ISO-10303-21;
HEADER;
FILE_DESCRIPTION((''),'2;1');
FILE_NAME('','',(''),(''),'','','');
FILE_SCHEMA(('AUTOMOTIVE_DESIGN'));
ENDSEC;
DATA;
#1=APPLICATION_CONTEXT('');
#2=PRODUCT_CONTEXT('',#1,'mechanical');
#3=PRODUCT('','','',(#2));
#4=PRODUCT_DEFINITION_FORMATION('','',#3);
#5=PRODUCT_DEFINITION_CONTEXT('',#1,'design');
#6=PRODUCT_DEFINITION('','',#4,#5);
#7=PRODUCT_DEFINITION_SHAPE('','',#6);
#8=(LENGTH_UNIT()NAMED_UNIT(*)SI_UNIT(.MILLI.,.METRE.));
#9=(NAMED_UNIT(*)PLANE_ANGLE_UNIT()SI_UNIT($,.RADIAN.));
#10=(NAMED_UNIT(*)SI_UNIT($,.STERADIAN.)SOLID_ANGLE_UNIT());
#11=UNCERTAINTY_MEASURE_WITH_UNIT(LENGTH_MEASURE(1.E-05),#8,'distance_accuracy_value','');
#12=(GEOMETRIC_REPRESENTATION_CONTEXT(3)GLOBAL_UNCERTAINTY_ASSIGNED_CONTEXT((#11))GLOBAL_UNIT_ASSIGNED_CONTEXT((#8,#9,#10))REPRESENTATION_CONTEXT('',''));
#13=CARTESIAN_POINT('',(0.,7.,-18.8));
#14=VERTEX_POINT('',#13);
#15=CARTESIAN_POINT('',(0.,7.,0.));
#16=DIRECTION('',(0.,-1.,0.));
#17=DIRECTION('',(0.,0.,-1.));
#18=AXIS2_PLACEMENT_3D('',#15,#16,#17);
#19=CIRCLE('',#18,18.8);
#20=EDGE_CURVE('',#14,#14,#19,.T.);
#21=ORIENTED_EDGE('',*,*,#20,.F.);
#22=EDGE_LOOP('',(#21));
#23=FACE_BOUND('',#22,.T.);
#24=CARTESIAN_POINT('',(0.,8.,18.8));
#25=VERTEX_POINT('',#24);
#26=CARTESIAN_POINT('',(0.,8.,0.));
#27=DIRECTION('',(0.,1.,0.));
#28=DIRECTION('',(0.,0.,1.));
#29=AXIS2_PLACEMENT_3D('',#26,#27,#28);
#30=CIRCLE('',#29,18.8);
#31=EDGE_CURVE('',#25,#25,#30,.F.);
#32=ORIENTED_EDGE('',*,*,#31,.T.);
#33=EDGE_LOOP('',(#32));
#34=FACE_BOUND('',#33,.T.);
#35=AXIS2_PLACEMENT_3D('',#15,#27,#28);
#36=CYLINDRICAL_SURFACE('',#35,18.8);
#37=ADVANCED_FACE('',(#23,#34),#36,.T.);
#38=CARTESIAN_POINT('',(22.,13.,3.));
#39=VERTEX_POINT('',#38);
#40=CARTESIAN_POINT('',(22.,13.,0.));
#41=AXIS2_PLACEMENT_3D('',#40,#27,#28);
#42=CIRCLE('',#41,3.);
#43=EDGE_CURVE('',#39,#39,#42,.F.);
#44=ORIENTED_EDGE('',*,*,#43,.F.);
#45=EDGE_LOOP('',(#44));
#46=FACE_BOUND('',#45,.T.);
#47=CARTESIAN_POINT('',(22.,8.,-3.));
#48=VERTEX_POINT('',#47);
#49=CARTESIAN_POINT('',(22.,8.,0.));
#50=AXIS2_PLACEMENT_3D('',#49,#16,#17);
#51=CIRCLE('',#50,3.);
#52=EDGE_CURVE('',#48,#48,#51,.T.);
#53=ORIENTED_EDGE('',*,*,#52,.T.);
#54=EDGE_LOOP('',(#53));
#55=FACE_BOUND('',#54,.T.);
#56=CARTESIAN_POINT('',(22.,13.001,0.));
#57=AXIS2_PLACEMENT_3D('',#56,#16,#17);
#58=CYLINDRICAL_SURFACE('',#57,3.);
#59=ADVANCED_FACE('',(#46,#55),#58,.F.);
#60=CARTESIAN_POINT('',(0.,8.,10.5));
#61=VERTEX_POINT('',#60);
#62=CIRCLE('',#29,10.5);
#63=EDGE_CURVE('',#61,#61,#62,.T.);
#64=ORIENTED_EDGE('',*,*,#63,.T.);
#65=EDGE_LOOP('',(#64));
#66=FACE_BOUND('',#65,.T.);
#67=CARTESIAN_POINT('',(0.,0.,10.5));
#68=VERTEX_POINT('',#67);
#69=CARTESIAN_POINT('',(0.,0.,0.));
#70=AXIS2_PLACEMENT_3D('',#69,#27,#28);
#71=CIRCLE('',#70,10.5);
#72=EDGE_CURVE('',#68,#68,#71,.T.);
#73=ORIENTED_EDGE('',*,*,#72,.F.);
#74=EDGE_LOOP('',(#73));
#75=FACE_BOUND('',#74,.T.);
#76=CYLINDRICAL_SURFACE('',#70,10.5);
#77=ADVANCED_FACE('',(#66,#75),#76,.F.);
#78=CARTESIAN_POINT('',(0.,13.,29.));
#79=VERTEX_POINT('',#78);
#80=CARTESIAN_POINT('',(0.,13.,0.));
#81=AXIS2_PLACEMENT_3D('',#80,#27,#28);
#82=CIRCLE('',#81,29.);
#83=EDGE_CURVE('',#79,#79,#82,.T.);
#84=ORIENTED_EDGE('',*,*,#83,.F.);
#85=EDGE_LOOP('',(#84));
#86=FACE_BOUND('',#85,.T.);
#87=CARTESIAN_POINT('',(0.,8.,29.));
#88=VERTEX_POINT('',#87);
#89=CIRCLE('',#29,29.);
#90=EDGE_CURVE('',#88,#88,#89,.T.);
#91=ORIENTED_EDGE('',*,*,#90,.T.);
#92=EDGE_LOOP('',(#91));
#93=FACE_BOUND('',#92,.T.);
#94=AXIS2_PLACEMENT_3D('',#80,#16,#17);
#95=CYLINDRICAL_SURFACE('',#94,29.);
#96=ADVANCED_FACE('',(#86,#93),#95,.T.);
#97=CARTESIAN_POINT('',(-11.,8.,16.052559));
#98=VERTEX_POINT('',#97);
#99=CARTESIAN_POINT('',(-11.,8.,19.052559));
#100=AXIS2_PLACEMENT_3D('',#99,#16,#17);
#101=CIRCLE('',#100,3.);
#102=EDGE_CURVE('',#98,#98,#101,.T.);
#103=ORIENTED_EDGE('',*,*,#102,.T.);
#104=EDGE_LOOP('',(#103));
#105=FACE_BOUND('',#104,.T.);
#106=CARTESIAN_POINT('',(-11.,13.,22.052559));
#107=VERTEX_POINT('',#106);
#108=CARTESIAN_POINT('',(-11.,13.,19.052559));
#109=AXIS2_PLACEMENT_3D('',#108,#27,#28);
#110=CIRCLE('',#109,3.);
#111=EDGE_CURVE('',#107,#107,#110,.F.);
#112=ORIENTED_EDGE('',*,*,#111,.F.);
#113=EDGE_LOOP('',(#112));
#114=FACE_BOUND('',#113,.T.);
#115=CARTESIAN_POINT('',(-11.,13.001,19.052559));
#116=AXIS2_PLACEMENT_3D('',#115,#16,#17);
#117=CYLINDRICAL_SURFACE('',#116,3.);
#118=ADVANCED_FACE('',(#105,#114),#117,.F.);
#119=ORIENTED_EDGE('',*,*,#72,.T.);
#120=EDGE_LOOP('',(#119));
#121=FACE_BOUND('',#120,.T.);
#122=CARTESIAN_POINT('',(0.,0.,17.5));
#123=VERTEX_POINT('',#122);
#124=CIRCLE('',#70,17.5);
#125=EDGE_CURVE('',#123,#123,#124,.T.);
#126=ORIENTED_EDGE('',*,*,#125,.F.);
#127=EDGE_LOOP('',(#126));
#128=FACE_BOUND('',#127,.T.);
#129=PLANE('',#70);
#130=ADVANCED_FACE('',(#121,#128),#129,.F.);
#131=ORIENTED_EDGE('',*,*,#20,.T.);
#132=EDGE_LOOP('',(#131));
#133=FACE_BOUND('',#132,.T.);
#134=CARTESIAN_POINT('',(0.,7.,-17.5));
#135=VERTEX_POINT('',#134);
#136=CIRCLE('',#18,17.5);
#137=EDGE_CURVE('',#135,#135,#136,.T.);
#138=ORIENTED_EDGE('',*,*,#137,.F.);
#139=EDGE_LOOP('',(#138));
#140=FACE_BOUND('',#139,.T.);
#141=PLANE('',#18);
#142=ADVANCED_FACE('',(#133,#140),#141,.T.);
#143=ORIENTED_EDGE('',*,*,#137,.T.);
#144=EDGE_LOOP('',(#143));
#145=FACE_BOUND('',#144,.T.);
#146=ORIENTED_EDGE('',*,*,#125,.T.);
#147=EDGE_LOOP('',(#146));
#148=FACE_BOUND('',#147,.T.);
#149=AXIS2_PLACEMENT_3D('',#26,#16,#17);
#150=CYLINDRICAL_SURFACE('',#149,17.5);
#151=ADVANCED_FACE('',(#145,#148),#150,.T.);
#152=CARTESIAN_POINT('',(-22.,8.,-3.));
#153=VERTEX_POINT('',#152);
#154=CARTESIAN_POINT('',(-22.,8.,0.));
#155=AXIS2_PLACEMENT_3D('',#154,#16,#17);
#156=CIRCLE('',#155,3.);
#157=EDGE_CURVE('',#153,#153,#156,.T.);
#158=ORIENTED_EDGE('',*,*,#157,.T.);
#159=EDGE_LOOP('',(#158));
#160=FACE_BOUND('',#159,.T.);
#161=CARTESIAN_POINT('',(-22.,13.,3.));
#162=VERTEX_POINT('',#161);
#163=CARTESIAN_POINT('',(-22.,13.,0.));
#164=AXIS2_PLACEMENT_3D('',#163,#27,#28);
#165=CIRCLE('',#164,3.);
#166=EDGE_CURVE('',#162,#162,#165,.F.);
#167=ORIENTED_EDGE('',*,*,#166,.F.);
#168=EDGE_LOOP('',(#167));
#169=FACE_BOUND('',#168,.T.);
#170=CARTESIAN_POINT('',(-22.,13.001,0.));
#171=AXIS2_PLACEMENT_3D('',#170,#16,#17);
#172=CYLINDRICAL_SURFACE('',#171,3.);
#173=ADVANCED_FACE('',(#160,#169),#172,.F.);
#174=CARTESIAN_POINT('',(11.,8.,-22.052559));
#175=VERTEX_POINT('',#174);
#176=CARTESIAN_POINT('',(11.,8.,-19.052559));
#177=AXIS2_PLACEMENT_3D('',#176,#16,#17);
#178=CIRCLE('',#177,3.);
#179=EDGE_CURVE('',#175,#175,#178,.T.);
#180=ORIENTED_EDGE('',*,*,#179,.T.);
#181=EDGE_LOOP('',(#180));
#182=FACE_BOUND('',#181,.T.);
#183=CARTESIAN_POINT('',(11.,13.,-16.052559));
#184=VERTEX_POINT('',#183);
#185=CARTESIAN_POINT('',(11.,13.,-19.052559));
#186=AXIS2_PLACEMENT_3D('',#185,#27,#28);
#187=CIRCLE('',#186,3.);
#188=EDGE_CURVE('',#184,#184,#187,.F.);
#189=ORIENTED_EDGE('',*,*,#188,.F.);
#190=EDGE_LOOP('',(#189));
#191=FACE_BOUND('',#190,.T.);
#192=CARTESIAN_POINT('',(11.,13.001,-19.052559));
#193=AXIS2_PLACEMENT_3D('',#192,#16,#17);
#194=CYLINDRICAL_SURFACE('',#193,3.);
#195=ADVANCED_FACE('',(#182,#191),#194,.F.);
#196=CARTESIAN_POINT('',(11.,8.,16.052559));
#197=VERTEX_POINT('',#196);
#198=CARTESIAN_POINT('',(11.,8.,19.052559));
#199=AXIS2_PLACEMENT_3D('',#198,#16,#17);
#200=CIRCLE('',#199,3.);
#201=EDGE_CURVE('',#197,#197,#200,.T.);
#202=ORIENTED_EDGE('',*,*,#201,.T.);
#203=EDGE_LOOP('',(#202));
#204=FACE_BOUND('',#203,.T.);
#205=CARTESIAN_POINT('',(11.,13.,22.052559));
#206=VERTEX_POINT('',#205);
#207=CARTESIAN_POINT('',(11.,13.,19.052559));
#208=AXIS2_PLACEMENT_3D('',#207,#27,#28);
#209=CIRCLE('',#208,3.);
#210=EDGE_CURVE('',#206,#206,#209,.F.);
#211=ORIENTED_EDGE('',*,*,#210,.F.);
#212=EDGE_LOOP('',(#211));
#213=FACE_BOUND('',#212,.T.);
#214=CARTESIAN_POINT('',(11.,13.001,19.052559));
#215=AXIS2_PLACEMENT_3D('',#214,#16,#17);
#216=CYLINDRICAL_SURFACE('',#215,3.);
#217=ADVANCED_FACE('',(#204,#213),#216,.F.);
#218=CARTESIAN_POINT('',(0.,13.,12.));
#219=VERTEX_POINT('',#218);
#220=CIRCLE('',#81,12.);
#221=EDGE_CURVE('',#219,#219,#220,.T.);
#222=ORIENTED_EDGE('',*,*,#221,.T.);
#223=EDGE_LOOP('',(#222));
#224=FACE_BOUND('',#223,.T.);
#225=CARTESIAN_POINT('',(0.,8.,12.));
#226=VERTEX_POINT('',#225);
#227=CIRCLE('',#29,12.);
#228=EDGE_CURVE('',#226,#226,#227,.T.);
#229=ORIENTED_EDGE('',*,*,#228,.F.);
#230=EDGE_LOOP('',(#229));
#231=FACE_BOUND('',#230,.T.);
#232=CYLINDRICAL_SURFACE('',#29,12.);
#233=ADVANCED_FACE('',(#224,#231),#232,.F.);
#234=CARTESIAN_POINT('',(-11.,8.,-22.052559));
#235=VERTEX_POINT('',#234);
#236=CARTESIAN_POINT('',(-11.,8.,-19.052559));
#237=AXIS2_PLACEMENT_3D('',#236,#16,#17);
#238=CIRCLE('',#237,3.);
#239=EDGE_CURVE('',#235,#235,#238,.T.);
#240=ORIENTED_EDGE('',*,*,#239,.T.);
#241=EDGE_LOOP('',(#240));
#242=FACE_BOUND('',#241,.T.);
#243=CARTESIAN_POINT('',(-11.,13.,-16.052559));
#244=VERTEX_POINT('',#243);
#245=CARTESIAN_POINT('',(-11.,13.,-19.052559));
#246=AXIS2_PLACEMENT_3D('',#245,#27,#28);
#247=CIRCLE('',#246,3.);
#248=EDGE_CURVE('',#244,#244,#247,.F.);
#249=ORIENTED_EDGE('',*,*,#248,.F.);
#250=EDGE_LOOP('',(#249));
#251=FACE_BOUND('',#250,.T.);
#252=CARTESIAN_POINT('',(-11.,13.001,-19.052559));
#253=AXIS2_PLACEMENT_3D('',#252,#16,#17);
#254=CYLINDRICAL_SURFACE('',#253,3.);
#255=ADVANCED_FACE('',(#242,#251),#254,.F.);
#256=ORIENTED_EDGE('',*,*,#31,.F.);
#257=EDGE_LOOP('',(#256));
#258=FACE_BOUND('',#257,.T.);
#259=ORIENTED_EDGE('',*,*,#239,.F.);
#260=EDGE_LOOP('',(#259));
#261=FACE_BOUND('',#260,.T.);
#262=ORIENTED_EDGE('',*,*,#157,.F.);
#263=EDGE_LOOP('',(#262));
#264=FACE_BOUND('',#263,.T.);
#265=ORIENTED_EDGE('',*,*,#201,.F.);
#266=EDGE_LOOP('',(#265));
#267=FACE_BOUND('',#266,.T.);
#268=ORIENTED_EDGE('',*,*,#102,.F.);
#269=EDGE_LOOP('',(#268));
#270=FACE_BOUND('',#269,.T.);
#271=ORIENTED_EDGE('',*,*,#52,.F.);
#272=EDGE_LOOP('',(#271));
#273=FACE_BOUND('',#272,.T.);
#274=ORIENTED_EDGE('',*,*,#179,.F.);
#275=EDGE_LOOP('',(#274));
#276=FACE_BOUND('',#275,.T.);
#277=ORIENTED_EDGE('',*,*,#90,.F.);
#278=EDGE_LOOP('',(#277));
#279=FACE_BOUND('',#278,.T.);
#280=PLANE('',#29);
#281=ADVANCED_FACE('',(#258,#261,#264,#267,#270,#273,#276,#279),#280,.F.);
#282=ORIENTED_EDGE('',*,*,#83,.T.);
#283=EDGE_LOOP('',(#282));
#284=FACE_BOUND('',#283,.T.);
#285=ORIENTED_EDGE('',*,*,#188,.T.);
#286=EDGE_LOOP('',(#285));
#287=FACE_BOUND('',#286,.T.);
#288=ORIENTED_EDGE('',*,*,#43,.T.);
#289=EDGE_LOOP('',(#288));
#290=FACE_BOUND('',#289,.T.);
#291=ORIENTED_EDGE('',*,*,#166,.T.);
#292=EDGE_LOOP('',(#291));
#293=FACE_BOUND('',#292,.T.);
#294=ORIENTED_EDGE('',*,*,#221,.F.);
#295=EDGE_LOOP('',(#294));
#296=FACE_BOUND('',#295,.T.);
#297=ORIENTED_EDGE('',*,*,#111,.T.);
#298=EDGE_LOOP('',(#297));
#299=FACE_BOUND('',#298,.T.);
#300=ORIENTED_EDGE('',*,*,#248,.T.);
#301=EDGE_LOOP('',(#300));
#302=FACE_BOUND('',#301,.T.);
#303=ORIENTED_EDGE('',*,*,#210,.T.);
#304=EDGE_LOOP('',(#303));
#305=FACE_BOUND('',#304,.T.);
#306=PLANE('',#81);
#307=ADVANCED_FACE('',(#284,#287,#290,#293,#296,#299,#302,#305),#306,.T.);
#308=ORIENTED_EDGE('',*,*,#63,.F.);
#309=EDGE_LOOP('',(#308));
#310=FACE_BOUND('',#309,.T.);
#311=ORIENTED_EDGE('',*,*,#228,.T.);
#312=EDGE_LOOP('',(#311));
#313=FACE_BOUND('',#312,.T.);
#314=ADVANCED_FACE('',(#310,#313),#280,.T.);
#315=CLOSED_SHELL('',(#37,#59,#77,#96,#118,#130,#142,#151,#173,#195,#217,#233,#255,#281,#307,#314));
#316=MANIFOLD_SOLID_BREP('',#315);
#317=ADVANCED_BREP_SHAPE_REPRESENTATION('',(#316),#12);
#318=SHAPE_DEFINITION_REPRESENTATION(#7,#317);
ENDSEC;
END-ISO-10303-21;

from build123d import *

# Parameters (mm, degrees)
SKETCH1_R           = 17.5
BOSS_EXTRUDE1_DEPTH = 8
SKETCH2_R           = 29
BOSS_EXTRUDE2_DEPTH = 5
SKETCH3_R           = 12
CUT_EXTRUDE1_DEPTH  = 5
SKETCH4_R           = 10.5
CUT_EXTRUDE2_DEPTH  = 42.785164832
CUT_EXTRUDE3_REACH  = 43.785
SKETCH5_R           = 3
BOSS_EXTRUDE3_START = 1
SKETCH6_R           = 18.8
SKETCH6_R_2         = 17.5
BOSS_EXTRUDE3_DEPTH = 1


with BuildPart() as part:
    # Sketch1 → Boss-Extrude1 (new body)
    with BuildSketch(Plane(origin=(0, 0, 0), x_dir=(1, 0, 0), z_dir=(0, 1, 0))):
        with Locations(Location((0, 0, 0), (0, 0, 270))):
            Circle(SKETCH1_R)
    extrude(amount=BOSS_EXTRUDE1_DEPTH)

    # Sketch2 → Boss-Extrude2 (add)
    with BuildSketch(Plane(origin=(0, 8, 0), x_dir=(1, 0, 0), z_dir=(0, 1, 0))):
        with Locations(Location((0, 0, 0), (0, 0, 270))):
            Circle(SKETCH2_R)
    extrude(amount=BOSS_EXTRUDE2_DEPTH)

    # Sketch3 → Cut-Extrude1 (cut)
    with BuildSketch(Plane(origin=(0, 13, 0), x_dir=(1, 0, 0), z_dir=(0, 1, 0))):
        with Locations(Location((0, 0, 0), (0, 0, 270))):
            Circle(SKETCH3_R)
    extrude(amount=-CUT_EXTRUDE1_DEPTH, mode=Mode.SUBTRACT)

    # Sketch4 → Cut-Extrude2 (cut, through all)
    with BuildSketch(Plane(origin=(0, 8, 0), x_dir=(1, 0, 0), z_dir=(0, 1, 0))):
        with Locations(Location((0, 0, 0), (0, 0, 270))):
            Circle(SKETCH4_R)
    extrude(amount=-CUT_EXTRUDE2_DEPTH, mode=Mode.SUBTRACT)

    # Sketch5 → Cut-Extrude3 (cut, up to next)
    with BuildSketch(Plane.XZ.offset(-8), mode=Mode.PRIVATE) as cut_extrude3_sk1:
        with Locations(Location((22, 0, 0), (0, 0, 270))):
            Circle(SKETCH5_R)
    cut_extrude3_tool1 = extrude(cut_extrude3_sk1.sketch, amount=-CUT_EXTRUDE3_REACH, mode=Mode.PRIVATE) & part.part
    # Sketch5 → Cut-Extrude3 (cut, up to next)
    with BuildSketch(Plane.XZ.offset(-8), mode=Mode.PRIVATE) as cut_extrude3_sk2:
        with Locations(Location((11, -19.052558883, 0), (0, 0, 270))):
            Circle(SKETCH5_R)
    cut_extrude3_tool2 = extrude(cut_extrude3_sk2.sketch, amount=-CUT_EXTRUDE3_REACH, mode=Mode.PRIVATE) & part.part
    # Sketch5 → Cut-Extrude3 (cut, up to next)
    with BuildSketch(Plane.XZ.offset(-8), mode=Mode.PRIVATE) as cut_extrude3_sk3:
        with Locations(Location((-11, -19.052558883, 0), (0, 0, 270))):
            Circle(SKETCH5_R)
    cut_extrude3_tool3 = extrude(cut_extrude3_sk3.sketch, amount=-CUT_EXTRUDE3_REACH, mode=Mode.PRIVATE) & part.part
    # Sketch5 → Cut-Extrude3 (cut, up to next)
    with BuildSketch(Plane.XZ.offset(-8), mode=Mode.PRIVATE) as cut_extrude3_sk4:
        with Locations(Location((-22, 0, 0), (0, 0, 270))):
            Circle(SKETCH5_R)
    cut_extrude3_tool4 = extrude(cut_extrude3_sk4.sketch, amount=-CUT_EXTRUDE3_REACH, mode=Mode.PRIVATE) & part.part
    # Sketch5 → Cut-Extrude3 (cut, up to next)
    with BuildSketch(Plane.XZ.offset(-8), mode=Mode.PRIVATE) as cut_extrude3_sk5:
        with Locations(Location((-11, 19.052558883, 0), (0, 0, 270))):
            Circle(SKETCH5_R)
    cut_extrude3_tool5 = extrude(cut_extrude3_sk5.sketch, amount=-CUT_EXTRUDE3_REACH, mode=Mode.PRIVATE) & part.part
    # Sketch5 → Cut-Extrude3 (cut, up to next)
    with BuildSketch(Plane.XZ.offset(-8), mode=Mode.PRIVATE) as cut_extrude3_sk6:
        with Locations(Location((11, 19.052558883, 0), (0, 0, 270))):
            Circle(SKETCH5_R)
    cut_extrude3_tool6 = extrude(cut_extrude3_sk6.sketch, amount=-CUT_EXTRUDE3_REACH, mode=Mode.PRIVATE) & part.part
    add(cut_extrude3_tool1.solids().sort_by_distance((22, 8, 0))[0], mode=Mode.SUBTRACT)
    add(cut_extrude3_tool2.solids().sort_by_distance((11, 8, -19.052559))[0], mode=Mode.SUBTRACT)
    add(cut_extrude3_tool3.solids().sort_by_distance((-11, 8, -19.052559))[0], mode=Mode.SUBTRACT)
    add(cut_extrude3_tool4.solids().sort_by_distance((-22, 8, 0))[0], mode=Mode.SUBTRACT)
    add(cut_extrude3_tool5.solids().sort_by_distance((-11, 8, 19.052559))[0], mode=Mode.SUBTRACT)
    add(cut_extrude3_tool6.solids().sort_by_distance((11, 8, 19.052559))[0], mode=Mode.SUBTRACT)

    # Sketch6 → Boss-Extrude3 (add)
    with BuildSketch(Plane.XZ.offset(-8).offset(BOSS_EXTRUDE3_START)):
        with Locations(Location((0, 0, 0), (0, 0, 90))):
            Circle(SKETCH6_R)
        with Locations(Location((0, 0, 0), (0, 0, 270))):
            Circle(SKETCH6_R_2, mode=Mode.SUBTRACT)
    extrude(amount=-BOSS_EXTRUDE3_DEPTH)


solid = part.part
